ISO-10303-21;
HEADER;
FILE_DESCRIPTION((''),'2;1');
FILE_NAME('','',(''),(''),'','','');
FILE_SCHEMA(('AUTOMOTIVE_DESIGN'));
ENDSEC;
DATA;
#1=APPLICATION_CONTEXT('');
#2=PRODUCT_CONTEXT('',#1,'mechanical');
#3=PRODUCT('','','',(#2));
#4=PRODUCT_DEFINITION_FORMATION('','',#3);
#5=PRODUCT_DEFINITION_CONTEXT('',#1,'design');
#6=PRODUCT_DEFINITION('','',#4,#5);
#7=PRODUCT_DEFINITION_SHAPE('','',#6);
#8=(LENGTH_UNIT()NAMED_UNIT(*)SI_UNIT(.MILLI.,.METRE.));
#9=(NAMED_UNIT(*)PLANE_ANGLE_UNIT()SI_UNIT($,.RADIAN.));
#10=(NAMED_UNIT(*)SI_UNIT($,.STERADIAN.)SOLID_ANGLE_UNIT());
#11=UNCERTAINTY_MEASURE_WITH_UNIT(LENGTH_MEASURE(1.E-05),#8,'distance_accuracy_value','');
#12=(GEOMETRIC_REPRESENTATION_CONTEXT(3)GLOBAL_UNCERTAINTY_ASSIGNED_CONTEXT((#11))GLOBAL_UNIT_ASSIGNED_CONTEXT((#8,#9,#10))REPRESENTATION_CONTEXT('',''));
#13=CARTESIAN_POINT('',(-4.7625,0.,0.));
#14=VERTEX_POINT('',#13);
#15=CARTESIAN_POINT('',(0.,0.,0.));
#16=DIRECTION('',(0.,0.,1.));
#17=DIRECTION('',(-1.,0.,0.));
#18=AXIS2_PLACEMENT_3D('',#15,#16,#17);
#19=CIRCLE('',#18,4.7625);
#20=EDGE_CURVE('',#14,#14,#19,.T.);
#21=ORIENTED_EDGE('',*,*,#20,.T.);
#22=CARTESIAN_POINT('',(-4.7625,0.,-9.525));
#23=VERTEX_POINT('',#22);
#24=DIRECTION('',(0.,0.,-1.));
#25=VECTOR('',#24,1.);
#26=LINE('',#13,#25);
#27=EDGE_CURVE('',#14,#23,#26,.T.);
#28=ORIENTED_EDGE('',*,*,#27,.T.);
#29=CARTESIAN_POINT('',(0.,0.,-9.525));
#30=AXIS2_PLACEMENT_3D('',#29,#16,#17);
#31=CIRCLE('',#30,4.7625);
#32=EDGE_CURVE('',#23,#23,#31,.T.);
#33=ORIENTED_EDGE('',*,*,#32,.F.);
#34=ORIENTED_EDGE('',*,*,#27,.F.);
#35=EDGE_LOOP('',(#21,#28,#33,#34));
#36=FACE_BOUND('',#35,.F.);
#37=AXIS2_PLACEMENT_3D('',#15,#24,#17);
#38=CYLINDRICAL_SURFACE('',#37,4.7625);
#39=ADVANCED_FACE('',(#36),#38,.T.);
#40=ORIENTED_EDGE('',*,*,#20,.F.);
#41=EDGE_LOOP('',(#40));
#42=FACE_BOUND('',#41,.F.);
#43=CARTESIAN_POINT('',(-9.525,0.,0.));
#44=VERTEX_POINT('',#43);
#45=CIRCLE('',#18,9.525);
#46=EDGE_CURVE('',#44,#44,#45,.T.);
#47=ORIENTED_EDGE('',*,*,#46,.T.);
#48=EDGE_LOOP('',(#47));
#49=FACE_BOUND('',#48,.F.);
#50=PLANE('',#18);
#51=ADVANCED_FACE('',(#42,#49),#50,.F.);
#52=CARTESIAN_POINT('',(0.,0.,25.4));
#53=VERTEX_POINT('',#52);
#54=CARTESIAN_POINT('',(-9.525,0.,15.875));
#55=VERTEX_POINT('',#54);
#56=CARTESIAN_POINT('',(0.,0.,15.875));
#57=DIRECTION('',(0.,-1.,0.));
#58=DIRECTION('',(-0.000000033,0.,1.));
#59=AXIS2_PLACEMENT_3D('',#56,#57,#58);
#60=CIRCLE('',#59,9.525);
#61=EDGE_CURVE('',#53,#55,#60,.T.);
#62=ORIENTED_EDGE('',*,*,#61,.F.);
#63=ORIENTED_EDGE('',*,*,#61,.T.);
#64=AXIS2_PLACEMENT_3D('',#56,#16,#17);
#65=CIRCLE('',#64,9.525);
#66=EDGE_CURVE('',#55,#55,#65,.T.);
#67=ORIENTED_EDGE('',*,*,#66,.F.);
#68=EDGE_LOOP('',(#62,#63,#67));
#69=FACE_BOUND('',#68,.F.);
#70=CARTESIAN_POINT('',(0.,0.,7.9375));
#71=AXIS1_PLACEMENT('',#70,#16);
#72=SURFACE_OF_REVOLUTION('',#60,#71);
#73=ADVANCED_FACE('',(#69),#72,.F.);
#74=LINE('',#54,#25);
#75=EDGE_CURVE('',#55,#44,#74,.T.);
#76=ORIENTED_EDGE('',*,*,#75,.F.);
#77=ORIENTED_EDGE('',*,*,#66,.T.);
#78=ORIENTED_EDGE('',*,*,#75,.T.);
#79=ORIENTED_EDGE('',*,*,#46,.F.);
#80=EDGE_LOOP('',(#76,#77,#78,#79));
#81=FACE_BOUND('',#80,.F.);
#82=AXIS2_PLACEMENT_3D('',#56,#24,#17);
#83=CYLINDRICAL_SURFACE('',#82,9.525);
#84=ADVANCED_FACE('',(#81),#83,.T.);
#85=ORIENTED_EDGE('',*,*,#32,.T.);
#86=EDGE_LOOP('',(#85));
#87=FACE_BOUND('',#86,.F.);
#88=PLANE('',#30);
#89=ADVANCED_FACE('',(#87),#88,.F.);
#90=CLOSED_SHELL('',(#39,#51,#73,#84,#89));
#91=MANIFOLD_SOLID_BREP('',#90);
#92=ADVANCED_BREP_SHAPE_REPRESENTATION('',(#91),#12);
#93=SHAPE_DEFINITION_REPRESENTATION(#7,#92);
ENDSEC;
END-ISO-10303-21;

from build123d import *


with BuildPart() as f1:
    # F0 (on Front) → F1 (revolve)
    with BuildSketch(Plane.XZ):
        with BuildLine():
            Line((0, -9.525), (0, 25.4))
            ThreePointArc((0, 25.4), (-6.735192, 22.610192), (-9.525, 15.875))
            Line((-9.525, 15.875), (-9.525, 0))
            Line((-9.525, 0), (-4.7625, 0))
            Line((-4.7625, 0), (-4.7625, -9.525))
            Line((-4.7625, -9.525), (0, -9.525))
        make_face()
    revolve(axis=Axis((0, 0, 7.9375), (0, 0, 1)))


solid = f1.part
